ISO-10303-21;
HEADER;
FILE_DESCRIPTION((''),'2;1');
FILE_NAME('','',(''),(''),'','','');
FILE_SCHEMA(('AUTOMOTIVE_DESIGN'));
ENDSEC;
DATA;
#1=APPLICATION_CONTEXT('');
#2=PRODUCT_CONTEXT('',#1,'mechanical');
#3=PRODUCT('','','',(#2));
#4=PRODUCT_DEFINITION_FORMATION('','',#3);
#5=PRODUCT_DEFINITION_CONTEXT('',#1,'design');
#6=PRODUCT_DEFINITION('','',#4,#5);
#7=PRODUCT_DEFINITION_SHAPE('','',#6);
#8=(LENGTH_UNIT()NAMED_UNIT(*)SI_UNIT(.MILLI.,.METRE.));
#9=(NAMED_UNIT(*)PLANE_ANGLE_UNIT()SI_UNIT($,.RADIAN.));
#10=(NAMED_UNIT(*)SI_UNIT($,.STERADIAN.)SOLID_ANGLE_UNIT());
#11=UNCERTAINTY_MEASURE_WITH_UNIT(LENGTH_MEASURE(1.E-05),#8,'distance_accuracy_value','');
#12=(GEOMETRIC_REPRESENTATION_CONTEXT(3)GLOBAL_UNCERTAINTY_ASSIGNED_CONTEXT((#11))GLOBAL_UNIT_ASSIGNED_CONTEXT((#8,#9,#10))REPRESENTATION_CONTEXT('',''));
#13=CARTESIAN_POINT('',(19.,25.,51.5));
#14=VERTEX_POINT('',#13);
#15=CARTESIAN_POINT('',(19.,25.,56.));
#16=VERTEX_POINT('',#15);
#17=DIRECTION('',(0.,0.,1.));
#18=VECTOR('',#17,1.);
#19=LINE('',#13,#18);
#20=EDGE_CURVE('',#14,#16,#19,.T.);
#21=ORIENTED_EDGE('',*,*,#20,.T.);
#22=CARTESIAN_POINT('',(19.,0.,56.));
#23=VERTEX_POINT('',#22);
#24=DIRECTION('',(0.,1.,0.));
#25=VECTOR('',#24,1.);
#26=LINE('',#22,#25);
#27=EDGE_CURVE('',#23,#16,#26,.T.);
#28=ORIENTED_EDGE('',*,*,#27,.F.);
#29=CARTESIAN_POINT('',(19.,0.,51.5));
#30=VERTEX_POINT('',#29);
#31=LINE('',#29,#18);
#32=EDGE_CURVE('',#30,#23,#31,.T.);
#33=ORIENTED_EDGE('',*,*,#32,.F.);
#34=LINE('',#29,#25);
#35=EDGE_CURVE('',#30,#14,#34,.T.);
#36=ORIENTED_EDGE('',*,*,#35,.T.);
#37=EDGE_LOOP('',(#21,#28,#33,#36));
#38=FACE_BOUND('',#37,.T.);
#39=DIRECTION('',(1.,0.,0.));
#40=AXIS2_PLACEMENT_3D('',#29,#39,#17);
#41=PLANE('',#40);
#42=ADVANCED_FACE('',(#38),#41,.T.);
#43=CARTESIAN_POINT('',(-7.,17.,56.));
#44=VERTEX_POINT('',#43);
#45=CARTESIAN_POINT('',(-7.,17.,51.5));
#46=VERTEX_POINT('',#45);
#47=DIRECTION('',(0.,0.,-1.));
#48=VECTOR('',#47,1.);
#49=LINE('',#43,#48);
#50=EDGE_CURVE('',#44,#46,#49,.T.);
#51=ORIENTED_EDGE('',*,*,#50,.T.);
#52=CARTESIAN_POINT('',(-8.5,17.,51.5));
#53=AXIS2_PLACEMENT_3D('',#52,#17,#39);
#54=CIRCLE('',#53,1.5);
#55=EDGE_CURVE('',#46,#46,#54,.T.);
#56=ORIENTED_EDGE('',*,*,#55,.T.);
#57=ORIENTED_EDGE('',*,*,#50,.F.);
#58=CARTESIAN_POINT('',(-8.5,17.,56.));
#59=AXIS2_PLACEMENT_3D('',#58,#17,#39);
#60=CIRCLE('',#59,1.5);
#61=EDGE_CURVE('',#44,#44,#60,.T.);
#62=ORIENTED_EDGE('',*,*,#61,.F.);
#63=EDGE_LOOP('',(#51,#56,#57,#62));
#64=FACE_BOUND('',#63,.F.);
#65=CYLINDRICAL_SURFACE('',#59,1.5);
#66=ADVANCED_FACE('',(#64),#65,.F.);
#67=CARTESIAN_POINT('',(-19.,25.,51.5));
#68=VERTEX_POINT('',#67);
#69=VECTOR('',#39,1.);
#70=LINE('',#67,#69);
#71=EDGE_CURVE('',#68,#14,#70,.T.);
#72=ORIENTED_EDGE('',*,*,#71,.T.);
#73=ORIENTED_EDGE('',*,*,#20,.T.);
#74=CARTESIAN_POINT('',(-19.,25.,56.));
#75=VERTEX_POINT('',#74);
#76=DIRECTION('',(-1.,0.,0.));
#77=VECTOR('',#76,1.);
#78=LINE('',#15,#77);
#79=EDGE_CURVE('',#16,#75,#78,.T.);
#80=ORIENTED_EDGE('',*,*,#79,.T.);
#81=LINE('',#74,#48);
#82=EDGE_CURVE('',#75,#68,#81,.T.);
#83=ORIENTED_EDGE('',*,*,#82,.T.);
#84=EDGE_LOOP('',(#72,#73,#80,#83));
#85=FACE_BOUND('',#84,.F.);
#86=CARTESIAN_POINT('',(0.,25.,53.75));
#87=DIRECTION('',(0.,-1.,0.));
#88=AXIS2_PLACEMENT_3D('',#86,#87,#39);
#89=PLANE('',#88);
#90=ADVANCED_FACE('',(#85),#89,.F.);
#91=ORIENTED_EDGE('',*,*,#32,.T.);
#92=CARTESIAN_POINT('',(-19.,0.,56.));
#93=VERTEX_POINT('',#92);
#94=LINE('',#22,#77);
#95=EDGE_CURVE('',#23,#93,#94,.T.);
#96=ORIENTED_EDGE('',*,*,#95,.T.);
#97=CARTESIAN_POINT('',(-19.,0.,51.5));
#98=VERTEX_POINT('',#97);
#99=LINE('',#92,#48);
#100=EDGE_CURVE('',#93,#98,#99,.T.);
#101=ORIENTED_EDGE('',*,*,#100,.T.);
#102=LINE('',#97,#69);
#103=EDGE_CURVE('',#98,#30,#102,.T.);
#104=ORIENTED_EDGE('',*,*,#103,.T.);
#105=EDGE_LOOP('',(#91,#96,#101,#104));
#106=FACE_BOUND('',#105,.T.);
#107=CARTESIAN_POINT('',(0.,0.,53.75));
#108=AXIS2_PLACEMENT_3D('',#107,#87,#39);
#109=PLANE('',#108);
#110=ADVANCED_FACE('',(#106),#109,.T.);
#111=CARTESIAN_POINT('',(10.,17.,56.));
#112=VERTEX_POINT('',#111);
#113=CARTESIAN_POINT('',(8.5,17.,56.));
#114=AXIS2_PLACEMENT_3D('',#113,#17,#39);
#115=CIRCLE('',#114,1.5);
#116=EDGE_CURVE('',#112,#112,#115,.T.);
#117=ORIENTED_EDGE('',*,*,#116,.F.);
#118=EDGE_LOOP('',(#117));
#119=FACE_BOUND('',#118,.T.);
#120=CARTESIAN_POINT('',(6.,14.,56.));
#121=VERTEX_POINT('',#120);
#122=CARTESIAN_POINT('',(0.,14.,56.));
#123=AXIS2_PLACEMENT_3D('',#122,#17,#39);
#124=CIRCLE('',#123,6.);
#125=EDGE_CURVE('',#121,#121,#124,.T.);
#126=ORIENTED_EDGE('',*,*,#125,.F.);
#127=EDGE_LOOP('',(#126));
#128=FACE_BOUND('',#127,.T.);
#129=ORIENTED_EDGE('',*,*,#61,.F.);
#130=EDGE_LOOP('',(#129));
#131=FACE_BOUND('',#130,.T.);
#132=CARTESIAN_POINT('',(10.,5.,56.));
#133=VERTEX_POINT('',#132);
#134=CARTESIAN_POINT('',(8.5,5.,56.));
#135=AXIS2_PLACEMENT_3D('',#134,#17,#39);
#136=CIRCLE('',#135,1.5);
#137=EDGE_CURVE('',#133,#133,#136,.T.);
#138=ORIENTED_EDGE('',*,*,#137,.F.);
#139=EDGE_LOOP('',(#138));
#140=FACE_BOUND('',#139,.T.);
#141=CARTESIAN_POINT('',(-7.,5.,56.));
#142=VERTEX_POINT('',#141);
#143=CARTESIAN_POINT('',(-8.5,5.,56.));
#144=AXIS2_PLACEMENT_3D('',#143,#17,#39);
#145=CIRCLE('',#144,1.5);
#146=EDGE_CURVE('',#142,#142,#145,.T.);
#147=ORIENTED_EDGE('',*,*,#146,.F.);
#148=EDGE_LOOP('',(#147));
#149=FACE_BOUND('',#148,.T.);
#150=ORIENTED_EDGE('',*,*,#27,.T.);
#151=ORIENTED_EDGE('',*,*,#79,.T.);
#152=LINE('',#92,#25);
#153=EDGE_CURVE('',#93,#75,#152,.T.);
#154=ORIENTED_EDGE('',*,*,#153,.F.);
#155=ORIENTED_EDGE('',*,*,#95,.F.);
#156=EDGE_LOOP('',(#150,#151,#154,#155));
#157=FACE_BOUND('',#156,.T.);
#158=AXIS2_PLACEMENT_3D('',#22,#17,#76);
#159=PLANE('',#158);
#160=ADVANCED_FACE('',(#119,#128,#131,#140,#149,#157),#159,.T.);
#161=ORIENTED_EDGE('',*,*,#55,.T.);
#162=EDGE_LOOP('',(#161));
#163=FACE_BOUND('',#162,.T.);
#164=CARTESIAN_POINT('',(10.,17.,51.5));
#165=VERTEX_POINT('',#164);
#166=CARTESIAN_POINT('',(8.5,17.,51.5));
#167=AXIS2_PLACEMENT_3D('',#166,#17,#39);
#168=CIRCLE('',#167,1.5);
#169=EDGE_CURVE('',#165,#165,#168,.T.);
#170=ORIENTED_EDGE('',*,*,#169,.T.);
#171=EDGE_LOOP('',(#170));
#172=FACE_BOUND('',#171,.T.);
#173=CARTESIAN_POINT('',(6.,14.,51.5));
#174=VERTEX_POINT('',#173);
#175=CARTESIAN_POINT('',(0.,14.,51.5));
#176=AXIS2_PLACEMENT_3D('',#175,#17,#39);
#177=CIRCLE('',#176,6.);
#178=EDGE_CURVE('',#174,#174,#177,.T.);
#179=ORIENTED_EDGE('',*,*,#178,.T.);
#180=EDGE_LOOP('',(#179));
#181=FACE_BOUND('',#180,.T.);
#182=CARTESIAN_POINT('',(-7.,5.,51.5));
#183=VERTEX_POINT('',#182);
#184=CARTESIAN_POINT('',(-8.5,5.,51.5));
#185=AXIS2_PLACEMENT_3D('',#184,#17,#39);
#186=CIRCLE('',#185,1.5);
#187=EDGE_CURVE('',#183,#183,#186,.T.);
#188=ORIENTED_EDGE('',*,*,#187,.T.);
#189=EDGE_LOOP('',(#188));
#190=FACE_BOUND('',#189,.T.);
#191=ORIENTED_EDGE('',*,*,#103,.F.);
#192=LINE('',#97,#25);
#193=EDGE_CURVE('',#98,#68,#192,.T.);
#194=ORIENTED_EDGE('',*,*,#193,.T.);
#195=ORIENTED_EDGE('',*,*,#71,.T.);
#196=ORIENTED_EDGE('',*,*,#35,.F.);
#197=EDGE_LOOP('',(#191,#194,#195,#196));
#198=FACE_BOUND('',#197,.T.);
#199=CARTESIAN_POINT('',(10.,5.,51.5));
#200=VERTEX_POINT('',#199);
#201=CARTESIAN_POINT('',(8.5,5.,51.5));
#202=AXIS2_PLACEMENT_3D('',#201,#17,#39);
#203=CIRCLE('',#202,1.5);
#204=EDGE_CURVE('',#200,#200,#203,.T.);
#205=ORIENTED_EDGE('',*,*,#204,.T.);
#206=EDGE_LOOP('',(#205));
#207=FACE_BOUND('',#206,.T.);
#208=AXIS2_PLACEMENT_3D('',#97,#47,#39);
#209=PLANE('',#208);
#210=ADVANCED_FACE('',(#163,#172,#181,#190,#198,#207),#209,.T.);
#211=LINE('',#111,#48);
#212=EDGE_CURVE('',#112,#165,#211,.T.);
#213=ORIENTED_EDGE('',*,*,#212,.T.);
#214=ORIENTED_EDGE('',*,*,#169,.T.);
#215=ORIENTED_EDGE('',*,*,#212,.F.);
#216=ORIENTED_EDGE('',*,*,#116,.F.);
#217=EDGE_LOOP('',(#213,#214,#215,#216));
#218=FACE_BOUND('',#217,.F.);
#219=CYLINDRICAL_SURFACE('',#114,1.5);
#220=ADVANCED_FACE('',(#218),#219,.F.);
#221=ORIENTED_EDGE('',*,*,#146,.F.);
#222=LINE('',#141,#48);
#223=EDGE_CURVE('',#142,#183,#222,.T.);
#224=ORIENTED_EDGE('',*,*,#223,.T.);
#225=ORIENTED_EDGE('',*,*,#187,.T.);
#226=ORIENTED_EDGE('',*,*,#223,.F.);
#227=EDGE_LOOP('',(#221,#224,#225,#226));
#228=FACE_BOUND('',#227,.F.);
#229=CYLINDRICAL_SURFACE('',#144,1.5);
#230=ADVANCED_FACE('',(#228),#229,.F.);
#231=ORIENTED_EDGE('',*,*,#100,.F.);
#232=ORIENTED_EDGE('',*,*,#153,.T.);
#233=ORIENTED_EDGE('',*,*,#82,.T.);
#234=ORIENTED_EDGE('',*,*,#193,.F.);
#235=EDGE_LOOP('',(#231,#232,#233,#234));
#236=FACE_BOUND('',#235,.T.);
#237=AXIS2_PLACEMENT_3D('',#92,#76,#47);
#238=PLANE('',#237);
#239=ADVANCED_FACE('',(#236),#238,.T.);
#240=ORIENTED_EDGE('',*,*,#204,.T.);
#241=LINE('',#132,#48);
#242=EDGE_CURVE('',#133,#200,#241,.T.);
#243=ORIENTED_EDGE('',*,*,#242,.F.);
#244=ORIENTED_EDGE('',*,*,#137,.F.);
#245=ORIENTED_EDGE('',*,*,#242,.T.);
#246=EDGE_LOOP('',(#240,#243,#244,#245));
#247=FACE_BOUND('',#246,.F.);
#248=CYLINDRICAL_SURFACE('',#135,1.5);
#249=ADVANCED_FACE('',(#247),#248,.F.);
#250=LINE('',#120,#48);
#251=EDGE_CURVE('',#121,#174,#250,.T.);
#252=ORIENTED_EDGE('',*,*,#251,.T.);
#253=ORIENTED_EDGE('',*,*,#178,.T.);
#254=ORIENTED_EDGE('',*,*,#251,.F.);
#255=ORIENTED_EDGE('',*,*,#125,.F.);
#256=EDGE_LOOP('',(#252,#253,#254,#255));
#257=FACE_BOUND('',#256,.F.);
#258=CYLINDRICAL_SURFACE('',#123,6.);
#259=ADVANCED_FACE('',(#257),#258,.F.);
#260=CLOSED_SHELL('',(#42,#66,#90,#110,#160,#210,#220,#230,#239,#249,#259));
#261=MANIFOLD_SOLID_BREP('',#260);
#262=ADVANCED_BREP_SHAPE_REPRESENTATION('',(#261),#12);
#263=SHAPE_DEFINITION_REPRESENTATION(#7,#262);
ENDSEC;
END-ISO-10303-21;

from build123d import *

# Parameters (mm, degrees)
F1_DEPTH = 25
F2_R     = 6
F2_R_2   = 1.5
F3_DEPTH = 4.5


with BuildPart() as f1:
    # F0 (on Front) → F1 (new body)
    with BuildSketch(Plane.XZ):
        Polygon((19, 56), (-19, 56), (-19, 51.5), (-15, 51.5), (15, 51.5), (19, 51.5), align=None)
    extrude(amount=-F1_DEPTH)

    # F2 (on face) → F3 (cut, through all)
    with BuildSketch(Plane.XY.offset(56)):
        with Locations((0, 14)):
            Circle(F2_R)
        with Locations((-8.5, 5)):
            Circle(F2_R_2)
        with Locations((8.5, 5)):
            Circle(F2_R_2)
        with Locations((-8.5, 17)):
            Circle(F2_R_2)
        with Locations((8.5, 17)):
            Circle(F2_R_2)
    extrude(amount=-F3_DEPTH, mode=Mode.SUBTRACT)


solid = f1.part
